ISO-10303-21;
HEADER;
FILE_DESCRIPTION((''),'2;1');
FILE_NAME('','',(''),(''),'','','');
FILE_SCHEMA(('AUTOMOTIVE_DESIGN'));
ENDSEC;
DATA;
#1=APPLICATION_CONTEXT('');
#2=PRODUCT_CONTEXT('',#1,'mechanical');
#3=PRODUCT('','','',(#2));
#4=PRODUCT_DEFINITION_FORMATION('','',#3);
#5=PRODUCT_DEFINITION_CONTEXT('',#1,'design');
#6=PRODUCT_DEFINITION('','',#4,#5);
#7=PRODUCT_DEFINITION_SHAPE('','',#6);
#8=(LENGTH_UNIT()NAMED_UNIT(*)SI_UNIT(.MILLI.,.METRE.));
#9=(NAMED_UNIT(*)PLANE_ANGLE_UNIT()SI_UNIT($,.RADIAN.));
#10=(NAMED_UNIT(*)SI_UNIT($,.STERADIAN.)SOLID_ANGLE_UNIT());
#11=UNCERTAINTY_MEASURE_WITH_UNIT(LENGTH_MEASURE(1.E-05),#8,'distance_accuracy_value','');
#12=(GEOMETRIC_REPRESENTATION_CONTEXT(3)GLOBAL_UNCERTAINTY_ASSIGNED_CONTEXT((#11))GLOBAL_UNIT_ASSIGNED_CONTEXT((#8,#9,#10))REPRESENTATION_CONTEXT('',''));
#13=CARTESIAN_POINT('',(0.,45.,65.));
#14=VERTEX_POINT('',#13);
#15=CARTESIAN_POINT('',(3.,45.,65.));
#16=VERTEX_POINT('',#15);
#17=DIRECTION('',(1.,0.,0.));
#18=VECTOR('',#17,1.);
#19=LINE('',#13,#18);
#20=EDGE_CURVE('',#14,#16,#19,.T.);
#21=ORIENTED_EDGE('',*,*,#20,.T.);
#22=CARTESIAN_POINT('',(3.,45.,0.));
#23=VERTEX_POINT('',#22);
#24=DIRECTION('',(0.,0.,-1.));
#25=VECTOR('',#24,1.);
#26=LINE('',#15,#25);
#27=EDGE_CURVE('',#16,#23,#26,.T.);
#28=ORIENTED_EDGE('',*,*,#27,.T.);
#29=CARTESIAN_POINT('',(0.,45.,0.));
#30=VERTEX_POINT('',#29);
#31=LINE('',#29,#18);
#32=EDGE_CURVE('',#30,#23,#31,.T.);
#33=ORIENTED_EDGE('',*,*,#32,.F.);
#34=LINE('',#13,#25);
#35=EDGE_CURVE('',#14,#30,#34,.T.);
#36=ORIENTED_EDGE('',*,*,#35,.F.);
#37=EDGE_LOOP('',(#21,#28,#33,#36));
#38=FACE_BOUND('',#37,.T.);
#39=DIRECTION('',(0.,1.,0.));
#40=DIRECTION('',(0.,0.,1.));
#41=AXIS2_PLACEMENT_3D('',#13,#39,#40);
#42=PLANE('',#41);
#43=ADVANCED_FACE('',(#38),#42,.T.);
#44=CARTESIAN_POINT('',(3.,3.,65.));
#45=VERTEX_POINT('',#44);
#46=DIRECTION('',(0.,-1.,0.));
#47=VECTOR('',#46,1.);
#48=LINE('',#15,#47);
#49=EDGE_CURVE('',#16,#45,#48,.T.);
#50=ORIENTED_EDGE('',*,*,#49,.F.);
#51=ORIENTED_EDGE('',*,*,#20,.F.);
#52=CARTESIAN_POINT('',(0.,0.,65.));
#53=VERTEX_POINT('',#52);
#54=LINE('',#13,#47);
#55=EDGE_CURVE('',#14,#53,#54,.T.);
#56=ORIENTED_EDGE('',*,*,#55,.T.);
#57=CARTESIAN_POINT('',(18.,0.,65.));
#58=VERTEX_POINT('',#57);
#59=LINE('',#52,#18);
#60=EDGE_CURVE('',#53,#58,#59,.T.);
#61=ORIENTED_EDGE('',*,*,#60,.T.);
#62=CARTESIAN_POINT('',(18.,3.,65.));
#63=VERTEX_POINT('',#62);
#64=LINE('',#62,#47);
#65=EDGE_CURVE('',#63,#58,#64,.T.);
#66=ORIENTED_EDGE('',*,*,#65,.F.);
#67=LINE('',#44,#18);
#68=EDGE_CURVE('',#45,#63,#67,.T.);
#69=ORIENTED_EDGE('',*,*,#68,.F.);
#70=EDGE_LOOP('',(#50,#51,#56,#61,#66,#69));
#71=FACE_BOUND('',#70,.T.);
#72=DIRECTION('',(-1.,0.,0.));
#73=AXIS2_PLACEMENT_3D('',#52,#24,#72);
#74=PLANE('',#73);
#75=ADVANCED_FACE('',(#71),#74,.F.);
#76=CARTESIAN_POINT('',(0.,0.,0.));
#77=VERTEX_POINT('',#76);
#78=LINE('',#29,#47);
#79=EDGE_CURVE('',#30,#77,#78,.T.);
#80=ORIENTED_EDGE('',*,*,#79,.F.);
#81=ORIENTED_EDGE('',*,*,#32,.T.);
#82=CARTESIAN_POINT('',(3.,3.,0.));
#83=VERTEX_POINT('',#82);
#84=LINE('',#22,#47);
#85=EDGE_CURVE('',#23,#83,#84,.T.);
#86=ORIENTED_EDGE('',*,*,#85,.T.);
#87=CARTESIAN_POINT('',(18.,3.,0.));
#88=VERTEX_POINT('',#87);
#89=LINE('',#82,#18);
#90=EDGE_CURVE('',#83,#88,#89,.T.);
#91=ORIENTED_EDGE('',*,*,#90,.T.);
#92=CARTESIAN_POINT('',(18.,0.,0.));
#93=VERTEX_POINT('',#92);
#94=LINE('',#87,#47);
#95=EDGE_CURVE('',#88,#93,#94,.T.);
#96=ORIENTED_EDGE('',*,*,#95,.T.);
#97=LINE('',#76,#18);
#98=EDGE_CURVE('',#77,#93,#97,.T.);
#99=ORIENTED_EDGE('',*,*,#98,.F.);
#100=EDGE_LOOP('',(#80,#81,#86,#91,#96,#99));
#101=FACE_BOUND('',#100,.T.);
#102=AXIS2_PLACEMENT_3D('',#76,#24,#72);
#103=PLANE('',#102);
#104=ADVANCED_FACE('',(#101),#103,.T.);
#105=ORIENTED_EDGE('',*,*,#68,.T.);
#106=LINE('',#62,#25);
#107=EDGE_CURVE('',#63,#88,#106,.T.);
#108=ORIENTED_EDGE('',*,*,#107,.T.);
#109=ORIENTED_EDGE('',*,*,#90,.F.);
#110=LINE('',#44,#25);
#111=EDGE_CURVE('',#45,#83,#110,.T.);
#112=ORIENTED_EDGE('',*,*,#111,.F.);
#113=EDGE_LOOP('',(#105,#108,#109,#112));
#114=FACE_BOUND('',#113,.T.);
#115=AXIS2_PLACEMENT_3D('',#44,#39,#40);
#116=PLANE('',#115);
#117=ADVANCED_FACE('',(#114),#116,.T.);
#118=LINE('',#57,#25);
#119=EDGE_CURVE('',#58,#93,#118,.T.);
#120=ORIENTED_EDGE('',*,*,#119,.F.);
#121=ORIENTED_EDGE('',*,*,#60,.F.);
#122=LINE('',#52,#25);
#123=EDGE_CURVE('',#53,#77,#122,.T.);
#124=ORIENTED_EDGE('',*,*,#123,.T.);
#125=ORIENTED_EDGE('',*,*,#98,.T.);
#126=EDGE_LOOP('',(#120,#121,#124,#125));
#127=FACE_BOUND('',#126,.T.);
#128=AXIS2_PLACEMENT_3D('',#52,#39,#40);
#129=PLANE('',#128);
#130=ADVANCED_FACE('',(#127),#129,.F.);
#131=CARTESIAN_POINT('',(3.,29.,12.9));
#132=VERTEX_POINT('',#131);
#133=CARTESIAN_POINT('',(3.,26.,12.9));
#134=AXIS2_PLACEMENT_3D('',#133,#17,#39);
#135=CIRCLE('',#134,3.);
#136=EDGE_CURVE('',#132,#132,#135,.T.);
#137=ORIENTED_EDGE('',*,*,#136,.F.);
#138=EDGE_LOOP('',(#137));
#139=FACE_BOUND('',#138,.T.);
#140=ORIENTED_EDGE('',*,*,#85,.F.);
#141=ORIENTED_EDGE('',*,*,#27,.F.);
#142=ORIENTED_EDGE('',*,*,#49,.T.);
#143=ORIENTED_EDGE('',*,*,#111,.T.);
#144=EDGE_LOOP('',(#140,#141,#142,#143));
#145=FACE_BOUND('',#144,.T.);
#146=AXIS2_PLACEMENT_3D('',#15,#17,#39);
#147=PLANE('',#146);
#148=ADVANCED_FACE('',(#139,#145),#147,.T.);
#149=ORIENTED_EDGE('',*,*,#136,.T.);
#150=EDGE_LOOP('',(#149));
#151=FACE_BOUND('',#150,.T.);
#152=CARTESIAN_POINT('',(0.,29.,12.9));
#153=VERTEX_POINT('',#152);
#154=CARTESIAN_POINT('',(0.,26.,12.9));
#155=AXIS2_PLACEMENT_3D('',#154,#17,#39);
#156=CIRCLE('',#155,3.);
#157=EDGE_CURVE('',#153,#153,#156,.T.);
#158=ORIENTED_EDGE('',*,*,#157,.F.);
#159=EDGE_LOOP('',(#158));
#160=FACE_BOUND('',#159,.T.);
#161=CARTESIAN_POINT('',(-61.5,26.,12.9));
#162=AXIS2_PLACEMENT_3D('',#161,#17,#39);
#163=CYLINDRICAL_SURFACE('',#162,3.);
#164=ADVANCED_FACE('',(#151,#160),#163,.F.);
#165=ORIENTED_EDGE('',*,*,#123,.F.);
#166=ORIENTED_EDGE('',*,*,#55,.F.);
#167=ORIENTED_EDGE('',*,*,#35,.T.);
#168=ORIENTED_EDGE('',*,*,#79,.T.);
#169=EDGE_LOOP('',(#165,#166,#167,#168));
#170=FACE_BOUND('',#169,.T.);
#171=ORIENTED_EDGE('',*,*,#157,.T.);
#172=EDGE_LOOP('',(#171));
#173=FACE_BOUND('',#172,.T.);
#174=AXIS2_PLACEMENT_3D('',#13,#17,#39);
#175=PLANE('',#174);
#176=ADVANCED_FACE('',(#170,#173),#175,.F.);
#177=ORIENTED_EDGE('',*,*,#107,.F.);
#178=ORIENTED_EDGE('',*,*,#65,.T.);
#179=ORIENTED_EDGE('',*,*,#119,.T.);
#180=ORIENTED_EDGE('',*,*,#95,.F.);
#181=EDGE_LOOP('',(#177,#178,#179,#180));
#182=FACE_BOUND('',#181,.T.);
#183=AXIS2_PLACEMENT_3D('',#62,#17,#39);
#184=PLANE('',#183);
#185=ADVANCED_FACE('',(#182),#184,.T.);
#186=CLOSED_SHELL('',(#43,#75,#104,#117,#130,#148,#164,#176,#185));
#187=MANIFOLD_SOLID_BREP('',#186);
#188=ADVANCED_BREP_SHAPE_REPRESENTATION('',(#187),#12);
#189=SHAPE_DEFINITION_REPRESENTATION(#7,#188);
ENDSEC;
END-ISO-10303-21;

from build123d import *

# Parameters (mm, degrees)
SKETCH_1_W          = 15
SKETCH_1_H          = 3
EXTRUDE_1_DEPTH     = 65
SKETCH_2_R          = 3
CUT_EXTRUDE_1_DEPTH = 64.5


with BuildPart() as part:
    # 草图1 → 凸台-拉伸1 (new body)
    with BuildSketch(Plane.XY):
        Polygon((3, 45), (0, 45), (0, 0), (3, 0), (3, 3), align=None)
        with Locations((10.5, 1.5)):
            Rectangle(SKETCH_1_W, SKETCH_1_H)
    extrude(amount=EXTRUDE_1_DEPTH)

    # 草图2 → 切除-拉伸1 (cut)
    with BuildSketch(Plane(origin=(3, 0, 0), x_dir=(0, 0, -1), z_dir=(1, 0, 0))):
        with Locations(Location((-12.9, 26, 0), (0, 0, 90))):
            Circle(SKETCH_2_R)
    extrude(amount=-CUT_EXTRUDE_1_DEPTH, mode=Mode.SUBTRACT)


solid = part.part
